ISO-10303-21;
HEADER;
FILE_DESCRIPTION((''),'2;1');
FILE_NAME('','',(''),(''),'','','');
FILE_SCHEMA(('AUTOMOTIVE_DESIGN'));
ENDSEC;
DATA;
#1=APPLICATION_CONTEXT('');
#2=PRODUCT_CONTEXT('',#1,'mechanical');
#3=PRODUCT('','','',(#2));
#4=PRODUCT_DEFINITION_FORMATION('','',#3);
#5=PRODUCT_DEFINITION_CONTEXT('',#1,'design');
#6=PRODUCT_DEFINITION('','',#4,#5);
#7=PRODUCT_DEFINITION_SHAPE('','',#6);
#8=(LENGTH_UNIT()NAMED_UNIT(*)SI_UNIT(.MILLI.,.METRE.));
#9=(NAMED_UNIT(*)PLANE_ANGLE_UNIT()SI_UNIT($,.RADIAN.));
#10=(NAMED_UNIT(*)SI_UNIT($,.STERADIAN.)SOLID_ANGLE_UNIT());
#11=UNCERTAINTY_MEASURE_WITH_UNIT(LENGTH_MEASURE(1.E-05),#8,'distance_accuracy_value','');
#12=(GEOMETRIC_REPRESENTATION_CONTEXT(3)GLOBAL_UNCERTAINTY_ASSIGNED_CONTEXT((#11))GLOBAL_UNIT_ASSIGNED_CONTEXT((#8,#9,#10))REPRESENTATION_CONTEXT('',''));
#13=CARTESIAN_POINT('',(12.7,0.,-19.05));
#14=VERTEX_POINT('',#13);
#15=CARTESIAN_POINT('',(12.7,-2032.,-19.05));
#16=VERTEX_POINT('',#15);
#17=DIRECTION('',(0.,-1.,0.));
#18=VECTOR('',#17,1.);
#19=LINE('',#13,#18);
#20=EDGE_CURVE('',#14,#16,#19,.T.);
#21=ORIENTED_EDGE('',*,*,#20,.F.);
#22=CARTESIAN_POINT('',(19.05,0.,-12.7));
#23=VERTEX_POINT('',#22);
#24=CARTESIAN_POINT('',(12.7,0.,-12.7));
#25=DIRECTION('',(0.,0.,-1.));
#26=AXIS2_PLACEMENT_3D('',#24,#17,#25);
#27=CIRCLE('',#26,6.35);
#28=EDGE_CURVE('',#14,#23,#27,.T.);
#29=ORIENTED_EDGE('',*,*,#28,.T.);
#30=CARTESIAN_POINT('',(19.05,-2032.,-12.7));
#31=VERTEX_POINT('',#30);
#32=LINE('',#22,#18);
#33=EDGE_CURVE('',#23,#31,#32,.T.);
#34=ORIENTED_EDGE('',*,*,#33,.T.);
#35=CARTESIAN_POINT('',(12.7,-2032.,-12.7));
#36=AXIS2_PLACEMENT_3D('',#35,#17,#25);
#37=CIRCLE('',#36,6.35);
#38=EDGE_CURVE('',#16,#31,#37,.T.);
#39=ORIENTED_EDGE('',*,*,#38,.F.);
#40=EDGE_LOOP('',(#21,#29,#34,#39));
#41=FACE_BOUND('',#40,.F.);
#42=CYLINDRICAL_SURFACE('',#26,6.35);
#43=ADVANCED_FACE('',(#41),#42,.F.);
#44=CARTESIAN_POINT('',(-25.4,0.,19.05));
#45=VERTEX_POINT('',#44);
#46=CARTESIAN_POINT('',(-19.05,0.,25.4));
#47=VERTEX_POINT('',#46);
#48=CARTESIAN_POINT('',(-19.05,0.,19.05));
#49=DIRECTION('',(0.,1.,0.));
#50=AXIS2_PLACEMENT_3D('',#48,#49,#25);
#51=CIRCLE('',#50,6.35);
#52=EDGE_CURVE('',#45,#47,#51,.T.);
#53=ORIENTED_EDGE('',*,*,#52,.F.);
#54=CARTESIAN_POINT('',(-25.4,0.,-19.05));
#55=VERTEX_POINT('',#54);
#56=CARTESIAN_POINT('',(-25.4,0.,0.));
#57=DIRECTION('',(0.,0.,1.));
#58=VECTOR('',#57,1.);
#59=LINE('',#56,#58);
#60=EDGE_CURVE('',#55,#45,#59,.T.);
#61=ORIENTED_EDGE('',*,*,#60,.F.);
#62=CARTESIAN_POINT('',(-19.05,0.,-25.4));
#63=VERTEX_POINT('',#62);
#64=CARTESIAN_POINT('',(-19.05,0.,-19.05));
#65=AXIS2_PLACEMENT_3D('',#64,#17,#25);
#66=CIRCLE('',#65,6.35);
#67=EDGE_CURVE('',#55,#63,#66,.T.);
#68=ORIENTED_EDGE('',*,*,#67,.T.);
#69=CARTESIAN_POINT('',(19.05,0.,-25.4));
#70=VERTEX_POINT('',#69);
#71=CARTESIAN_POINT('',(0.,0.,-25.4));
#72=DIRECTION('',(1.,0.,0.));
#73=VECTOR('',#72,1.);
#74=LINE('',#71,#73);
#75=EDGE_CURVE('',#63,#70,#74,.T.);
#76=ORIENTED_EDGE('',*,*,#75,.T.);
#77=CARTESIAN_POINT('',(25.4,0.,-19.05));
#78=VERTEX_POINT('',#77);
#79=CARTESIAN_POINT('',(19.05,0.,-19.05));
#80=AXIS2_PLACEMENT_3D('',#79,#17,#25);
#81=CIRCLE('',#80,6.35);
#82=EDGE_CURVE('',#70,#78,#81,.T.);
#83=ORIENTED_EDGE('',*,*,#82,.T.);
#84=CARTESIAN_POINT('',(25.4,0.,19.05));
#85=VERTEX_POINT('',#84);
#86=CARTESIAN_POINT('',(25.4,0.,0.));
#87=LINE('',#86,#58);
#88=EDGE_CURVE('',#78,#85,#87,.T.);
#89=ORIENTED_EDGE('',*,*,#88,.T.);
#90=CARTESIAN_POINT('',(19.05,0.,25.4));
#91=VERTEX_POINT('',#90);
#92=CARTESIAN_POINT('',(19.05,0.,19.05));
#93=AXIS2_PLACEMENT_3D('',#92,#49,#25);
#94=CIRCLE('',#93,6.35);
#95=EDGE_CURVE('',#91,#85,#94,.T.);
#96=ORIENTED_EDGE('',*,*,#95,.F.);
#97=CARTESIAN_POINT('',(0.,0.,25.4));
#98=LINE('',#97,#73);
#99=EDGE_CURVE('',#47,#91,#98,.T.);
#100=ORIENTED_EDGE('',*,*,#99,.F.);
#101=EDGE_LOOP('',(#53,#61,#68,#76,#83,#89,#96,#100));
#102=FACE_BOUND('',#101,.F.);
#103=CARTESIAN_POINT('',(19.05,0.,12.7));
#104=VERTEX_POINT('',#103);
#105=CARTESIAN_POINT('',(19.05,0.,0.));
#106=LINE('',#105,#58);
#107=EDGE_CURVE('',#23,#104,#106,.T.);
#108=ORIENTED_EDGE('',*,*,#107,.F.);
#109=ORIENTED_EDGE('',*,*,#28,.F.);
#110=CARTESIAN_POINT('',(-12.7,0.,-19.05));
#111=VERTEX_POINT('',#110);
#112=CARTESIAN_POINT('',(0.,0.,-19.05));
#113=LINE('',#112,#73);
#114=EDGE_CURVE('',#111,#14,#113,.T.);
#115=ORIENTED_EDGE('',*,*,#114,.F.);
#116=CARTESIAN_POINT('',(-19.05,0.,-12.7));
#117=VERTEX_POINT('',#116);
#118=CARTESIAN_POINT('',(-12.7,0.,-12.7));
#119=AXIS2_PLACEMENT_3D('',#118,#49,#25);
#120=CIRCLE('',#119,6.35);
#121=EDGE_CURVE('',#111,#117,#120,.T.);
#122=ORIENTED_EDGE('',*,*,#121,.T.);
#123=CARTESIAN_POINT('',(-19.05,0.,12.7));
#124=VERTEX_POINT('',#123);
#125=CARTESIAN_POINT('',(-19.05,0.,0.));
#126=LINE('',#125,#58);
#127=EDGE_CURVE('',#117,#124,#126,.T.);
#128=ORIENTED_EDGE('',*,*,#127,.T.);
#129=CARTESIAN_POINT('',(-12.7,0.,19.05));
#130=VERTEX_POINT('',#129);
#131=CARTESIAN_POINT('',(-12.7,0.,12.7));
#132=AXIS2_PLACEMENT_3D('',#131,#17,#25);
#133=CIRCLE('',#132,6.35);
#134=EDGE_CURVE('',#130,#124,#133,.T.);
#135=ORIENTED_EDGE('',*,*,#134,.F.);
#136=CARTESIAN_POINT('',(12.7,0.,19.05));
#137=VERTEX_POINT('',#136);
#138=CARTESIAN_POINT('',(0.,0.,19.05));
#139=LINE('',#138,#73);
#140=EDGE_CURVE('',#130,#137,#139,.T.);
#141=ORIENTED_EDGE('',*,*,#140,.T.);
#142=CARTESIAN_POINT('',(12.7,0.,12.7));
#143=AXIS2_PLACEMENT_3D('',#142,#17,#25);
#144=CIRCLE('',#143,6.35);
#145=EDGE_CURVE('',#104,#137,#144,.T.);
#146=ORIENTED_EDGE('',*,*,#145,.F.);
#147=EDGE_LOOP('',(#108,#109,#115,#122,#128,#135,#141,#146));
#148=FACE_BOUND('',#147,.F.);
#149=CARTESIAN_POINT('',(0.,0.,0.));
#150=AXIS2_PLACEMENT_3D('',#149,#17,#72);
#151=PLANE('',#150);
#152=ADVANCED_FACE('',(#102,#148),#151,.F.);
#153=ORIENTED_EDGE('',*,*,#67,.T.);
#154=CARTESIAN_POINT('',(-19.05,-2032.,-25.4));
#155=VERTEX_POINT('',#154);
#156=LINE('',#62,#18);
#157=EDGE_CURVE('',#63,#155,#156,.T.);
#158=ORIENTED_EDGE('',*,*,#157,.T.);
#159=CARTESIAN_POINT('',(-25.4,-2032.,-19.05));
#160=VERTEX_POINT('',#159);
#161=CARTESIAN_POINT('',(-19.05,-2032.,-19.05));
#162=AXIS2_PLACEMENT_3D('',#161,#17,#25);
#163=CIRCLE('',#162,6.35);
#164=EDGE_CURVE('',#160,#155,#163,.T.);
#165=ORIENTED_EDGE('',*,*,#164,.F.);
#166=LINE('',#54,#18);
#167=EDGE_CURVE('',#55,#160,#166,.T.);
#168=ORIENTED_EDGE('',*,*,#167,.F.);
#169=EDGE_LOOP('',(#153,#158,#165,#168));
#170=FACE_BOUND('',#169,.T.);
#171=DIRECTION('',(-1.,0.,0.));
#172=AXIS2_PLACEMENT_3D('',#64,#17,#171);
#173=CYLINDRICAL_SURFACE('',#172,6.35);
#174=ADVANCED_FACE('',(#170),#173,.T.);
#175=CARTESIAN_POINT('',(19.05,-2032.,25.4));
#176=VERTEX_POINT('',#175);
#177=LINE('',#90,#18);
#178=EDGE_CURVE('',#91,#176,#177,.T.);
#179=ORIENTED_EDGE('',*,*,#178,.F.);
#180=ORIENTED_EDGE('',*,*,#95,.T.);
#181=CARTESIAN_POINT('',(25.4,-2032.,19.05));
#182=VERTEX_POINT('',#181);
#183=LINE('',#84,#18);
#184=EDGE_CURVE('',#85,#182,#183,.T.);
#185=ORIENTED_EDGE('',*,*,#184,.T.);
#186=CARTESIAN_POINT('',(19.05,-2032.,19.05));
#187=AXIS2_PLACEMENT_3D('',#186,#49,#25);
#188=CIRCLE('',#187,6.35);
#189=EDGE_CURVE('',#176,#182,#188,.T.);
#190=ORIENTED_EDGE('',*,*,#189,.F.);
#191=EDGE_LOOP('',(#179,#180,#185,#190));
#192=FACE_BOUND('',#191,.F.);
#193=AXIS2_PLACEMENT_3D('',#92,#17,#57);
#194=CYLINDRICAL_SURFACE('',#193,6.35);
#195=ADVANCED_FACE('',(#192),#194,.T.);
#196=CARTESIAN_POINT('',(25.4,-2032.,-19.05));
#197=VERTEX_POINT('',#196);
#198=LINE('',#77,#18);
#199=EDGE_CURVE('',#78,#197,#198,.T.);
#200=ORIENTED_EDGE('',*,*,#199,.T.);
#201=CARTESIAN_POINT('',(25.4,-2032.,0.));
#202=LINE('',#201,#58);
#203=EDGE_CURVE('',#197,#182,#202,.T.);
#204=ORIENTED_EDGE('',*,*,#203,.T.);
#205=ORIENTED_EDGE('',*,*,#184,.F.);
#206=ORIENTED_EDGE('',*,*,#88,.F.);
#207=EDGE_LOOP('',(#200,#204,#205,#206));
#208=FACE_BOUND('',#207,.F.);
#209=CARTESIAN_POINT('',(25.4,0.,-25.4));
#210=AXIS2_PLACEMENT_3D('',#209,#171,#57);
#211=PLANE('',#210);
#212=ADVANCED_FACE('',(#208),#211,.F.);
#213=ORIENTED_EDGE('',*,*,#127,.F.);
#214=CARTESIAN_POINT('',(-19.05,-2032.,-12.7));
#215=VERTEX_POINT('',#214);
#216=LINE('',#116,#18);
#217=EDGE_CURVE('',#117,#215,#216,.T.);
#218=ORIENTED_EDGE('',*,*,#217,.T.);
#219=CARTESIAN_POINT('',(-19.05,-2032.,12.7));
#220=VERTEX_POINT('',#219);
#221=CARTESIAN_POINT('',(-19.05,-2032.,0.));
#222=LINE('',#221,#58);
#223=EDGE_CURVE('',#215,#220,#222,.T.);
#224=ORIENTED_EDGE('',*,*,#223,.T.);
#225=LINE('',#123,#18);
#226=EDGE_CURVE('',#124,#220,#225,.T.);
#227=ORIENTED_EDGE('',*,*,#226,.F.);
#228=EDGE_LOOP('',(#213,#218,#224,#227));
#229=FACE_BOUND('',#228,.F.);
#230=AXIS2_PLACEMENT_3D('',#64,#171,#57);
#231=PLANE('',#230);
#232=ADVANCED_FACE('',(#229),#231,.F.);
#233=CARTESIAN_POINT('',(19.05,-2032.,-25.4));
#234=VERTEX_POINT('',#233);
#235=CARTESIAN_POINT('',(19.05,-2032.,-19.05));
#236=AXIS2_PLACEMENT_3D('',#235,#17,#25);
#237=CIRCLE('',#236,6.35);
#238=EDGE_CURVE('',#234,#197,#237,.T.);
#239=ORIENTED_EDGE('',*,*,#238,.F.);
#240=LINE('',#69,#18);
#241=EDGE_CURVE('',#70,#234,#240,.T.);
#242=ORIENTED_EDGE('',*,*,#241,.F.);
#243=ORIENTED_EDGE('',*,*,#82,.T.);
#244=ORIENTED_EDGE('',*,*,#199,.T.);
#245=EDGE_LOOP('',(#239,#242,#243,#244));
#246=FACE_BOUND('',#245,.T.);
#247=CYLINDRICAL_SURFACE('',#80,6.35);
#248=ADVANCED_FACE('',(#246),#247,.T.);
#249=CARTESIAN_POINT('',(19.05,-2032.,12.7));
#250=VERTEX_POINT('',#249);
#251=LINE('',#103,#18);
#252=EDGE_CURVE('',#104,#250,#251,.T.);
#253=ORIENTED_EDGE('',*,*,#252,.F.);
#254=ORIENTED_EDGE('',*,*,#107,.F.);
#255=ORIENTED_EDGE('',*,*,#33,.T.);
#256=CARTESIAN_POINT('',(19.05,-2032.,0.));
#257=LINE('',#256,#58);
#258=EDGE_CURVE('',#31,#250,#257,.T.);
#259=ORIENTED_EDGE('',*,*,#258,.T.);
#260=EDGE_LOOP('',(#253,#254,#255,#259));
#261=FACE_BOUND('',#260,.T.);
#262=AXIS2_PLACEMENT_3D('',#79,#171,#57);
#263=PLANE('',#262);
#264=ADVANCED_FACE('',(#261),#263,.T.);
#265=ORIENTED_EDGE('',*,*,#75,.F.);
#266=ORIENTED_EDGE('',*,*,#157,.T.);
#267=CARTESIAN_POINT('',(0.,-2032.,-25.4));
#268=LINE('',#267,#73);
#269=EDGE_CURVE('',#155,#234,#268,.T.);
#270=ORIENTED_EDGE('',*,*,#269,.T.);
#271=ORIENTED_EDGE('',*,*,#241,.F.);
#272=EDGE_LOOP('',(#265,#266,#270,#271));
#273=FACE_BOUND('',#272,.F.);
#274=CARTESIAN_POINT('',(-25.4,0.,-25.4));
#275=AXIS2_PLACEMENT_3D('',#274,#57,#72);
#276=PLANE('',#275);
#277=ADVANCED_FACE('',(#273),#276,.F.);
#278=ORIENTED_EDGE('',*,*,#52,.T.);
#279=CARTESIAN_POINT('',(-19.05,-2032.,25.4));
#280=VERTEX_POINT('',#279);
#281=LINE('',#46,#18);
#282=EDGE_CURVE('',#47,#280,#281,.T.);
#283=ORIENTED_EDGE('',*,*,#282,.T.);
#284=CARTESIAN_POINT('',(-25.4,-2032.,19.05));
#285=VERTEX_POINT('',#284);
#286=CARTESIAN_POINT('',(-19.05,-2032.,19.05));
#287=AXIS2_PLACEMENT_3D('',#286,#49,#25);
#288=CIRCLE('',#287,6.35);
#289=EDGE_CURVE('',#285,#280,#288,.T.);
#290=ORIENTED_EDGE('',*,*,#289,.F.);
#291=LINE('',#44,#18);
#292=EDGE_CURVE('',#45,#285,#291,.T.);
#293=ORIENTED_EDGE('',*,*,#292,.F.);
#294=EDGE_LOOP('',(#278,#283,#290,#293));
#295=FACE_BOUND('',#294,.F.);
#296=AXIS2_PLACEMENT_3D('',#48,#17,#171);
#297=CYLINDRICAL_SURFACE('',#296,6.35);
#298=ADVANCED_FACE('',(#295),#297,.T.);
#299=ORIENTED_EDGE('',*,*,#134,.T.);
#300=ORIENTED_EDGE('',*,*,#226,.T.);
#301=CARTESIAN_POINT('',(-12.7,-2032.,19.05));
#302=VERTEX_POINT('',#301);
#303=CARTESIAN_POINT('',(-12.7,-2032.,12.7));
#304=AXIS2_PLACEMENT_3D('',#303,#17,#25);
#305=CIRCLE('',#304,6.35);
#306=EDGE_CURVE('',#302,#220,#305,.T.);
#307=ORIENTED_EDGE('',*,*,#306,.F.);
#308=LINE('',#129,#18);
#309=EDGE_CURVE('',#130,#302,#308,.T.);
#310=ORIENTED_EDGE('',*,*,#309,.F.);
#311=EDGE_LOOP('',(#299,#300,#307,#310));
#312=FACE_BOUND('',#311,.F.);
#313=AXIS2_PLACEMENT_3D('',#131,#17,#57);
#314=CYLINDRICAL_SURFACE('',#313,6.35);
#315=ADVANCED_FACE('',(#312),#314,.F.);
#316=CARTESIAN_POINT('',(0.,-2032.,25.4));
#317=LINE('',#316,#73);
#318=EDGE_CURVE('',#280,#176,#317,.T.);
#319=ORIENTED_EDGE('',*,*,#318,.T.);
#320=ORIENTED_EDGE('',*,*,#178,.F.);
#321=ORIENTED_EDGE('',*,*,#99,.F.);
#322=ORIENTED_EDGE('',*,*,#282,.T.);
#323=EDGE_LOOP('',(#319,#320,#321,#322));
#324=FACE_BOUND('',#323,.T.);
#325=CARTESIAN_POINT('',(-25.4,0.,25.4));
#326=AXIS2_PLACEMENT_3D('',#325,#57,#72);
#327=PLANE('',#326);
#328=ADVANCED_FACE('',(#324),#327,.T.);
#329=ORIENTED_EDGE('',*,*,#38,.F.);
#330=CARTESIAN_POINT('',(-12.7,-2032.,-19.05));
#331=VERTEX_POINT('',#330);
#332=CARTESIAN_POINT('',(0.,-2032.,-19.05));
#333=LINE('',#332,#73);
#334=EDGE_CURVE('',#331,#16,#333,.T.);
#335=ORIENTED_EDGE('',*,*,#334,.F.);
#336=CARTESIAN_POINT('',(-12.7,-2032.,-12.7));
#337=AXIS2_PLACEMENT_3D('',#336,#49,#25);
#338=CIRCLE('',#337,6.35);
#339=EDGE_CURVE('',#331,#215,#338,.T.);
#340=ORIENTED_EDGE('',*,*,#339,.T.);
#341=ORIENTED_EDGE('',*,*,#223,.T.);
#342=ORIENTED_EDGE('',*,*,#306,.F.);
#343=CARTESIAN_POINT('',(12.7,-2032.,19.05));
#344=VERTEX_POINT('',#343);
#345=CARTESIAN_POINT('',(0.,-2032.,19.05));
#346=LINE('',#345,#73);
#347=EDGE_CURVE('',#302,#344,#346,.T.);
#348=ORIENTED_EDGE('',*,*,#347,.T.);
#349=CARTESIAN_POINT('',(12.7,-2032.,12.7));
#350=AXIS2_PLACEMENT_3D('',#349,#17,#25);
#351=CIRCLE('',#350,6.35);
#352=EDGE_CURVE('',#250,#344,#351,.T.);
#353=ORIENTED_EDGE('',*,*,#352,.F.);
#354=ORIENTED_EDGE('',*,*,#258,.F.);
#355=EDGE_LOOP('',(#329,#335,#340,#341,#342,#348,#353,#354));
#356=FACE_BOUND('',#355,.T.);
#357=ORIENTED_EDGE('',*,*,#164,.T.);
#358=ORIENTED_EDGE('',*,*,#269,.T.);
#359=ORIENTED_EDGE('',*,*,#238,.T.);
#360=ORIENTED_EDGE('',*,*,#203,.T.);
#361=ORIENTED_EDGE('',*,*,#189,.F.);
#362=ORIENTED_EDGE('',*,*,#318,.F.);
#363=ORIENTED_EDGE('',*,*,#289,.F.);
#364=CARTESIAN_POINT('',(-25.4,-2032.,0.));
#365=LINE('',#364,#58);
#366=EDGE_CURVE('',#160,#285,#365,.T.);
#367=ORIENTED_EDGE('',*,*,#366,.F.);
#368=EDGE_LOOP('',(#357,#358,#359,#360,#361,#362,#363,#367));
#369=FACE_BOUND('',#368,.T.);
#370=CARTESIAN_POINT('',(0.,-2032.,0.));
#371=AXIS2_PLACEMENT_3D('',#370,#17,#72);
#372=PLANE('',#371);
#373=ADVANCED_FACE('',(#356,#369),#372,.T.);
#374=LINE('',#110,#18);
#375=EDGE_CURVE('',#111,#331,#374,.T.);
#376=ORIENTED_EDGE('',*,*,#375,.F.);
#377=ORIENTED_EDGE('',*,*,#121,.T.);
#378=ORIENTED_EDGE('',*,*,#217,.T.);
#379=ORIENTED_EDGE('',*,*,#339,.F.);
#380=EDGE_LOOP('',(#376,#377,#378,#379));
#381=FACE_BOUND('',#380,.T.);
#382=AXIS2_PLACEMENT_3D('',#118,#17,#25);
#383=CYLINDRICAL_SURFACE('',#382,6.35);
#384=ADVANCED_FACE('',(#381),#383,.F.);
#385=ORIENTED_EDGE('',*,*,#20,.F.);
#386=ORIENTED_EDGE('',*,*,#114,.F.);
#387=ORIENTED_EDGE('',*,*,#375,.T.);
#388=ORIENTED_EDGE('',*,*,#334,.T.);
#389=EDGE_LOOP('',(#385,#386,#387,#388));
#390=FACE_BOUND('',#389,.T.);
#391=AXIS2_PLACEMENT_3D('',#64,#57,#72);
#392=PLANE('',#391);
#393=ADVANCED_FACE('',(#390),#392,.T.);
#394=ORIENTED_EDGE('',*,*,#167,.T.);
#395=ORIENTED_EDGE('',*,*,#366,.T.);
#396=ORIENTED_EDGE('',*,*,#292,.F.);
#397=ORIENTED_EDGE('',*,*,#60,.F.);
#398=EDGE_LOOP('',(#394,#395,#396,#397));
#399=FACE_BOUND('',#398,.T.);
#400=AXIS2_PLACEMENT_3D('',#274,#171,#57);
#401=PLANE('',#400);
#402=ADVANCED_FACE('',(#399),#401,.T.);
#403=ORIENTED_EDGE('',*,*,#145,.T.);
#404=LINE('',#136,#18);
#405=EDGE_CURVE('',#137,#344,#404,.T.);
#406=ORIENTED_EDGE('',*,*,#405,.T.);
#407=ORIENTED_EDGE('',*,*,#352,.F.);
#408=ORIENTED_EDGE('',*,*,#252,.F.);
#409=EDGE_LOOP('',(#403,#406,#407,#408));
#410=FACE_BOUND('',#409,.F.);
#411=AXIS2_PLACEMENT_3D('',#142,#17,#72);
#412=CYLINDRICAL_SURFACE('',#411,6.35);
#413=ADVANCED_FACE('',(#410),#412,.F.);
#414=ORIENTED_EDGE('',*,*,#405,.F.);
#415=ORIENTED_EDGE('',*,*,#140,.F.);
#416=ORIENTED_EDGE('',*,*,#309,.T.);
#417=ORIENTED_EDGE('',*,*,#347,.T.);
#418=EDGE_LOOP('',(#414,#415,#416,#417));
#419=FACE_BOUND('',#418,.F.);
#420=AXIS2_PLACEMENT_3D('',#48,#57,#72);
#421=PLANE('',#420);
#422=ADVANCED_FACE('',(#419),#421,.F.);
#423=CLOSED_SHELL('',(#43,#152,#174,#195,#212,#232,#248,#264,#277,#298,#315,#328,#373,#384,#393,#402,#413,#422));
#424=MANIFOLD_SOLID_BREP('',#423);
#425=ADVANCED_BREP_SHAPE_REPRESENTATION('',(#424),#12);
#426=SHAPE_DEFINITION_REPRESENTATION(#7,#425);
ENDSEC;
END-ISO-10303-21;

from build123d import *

# Parameters (mm, degrees)
F0_W     = 50.8
F0_H     = 50.8
F0_W_2   = 38.1
F0_H_2   = 38.1
F1_DEPTH = 2032
F2_R     = 6.35


with BuildPart() as f1:
    # F0 (on Front) → F1 (new body)
    with BuildSketch(Plane.XZ):
        Rectangle(F0_W, F0_H)
        Rectangle(F0_W_2, F0_H_2, mode=Mode.SUBTRACT)
    extrude(amount=F1_DEPTH)

    # F2
    f2_edges = [f1.edges().sort_by_distance(p)[0] for p in [
        (25.4, -1016, 25.4),
        (25.4, -1016, -25.4),
        (-25.4, -1016, 25.4),
        (-25.4, -1016, -25.4),
        (-19.05, -1016, -19.05),
        (19.05, -1016, -19.05),
        (19.05, -1016, 19.05),
        (-19.05, -1016, 19.05),
    ]]
    fillet(f2_edges, radius=F2_R)


solid = f1.part
